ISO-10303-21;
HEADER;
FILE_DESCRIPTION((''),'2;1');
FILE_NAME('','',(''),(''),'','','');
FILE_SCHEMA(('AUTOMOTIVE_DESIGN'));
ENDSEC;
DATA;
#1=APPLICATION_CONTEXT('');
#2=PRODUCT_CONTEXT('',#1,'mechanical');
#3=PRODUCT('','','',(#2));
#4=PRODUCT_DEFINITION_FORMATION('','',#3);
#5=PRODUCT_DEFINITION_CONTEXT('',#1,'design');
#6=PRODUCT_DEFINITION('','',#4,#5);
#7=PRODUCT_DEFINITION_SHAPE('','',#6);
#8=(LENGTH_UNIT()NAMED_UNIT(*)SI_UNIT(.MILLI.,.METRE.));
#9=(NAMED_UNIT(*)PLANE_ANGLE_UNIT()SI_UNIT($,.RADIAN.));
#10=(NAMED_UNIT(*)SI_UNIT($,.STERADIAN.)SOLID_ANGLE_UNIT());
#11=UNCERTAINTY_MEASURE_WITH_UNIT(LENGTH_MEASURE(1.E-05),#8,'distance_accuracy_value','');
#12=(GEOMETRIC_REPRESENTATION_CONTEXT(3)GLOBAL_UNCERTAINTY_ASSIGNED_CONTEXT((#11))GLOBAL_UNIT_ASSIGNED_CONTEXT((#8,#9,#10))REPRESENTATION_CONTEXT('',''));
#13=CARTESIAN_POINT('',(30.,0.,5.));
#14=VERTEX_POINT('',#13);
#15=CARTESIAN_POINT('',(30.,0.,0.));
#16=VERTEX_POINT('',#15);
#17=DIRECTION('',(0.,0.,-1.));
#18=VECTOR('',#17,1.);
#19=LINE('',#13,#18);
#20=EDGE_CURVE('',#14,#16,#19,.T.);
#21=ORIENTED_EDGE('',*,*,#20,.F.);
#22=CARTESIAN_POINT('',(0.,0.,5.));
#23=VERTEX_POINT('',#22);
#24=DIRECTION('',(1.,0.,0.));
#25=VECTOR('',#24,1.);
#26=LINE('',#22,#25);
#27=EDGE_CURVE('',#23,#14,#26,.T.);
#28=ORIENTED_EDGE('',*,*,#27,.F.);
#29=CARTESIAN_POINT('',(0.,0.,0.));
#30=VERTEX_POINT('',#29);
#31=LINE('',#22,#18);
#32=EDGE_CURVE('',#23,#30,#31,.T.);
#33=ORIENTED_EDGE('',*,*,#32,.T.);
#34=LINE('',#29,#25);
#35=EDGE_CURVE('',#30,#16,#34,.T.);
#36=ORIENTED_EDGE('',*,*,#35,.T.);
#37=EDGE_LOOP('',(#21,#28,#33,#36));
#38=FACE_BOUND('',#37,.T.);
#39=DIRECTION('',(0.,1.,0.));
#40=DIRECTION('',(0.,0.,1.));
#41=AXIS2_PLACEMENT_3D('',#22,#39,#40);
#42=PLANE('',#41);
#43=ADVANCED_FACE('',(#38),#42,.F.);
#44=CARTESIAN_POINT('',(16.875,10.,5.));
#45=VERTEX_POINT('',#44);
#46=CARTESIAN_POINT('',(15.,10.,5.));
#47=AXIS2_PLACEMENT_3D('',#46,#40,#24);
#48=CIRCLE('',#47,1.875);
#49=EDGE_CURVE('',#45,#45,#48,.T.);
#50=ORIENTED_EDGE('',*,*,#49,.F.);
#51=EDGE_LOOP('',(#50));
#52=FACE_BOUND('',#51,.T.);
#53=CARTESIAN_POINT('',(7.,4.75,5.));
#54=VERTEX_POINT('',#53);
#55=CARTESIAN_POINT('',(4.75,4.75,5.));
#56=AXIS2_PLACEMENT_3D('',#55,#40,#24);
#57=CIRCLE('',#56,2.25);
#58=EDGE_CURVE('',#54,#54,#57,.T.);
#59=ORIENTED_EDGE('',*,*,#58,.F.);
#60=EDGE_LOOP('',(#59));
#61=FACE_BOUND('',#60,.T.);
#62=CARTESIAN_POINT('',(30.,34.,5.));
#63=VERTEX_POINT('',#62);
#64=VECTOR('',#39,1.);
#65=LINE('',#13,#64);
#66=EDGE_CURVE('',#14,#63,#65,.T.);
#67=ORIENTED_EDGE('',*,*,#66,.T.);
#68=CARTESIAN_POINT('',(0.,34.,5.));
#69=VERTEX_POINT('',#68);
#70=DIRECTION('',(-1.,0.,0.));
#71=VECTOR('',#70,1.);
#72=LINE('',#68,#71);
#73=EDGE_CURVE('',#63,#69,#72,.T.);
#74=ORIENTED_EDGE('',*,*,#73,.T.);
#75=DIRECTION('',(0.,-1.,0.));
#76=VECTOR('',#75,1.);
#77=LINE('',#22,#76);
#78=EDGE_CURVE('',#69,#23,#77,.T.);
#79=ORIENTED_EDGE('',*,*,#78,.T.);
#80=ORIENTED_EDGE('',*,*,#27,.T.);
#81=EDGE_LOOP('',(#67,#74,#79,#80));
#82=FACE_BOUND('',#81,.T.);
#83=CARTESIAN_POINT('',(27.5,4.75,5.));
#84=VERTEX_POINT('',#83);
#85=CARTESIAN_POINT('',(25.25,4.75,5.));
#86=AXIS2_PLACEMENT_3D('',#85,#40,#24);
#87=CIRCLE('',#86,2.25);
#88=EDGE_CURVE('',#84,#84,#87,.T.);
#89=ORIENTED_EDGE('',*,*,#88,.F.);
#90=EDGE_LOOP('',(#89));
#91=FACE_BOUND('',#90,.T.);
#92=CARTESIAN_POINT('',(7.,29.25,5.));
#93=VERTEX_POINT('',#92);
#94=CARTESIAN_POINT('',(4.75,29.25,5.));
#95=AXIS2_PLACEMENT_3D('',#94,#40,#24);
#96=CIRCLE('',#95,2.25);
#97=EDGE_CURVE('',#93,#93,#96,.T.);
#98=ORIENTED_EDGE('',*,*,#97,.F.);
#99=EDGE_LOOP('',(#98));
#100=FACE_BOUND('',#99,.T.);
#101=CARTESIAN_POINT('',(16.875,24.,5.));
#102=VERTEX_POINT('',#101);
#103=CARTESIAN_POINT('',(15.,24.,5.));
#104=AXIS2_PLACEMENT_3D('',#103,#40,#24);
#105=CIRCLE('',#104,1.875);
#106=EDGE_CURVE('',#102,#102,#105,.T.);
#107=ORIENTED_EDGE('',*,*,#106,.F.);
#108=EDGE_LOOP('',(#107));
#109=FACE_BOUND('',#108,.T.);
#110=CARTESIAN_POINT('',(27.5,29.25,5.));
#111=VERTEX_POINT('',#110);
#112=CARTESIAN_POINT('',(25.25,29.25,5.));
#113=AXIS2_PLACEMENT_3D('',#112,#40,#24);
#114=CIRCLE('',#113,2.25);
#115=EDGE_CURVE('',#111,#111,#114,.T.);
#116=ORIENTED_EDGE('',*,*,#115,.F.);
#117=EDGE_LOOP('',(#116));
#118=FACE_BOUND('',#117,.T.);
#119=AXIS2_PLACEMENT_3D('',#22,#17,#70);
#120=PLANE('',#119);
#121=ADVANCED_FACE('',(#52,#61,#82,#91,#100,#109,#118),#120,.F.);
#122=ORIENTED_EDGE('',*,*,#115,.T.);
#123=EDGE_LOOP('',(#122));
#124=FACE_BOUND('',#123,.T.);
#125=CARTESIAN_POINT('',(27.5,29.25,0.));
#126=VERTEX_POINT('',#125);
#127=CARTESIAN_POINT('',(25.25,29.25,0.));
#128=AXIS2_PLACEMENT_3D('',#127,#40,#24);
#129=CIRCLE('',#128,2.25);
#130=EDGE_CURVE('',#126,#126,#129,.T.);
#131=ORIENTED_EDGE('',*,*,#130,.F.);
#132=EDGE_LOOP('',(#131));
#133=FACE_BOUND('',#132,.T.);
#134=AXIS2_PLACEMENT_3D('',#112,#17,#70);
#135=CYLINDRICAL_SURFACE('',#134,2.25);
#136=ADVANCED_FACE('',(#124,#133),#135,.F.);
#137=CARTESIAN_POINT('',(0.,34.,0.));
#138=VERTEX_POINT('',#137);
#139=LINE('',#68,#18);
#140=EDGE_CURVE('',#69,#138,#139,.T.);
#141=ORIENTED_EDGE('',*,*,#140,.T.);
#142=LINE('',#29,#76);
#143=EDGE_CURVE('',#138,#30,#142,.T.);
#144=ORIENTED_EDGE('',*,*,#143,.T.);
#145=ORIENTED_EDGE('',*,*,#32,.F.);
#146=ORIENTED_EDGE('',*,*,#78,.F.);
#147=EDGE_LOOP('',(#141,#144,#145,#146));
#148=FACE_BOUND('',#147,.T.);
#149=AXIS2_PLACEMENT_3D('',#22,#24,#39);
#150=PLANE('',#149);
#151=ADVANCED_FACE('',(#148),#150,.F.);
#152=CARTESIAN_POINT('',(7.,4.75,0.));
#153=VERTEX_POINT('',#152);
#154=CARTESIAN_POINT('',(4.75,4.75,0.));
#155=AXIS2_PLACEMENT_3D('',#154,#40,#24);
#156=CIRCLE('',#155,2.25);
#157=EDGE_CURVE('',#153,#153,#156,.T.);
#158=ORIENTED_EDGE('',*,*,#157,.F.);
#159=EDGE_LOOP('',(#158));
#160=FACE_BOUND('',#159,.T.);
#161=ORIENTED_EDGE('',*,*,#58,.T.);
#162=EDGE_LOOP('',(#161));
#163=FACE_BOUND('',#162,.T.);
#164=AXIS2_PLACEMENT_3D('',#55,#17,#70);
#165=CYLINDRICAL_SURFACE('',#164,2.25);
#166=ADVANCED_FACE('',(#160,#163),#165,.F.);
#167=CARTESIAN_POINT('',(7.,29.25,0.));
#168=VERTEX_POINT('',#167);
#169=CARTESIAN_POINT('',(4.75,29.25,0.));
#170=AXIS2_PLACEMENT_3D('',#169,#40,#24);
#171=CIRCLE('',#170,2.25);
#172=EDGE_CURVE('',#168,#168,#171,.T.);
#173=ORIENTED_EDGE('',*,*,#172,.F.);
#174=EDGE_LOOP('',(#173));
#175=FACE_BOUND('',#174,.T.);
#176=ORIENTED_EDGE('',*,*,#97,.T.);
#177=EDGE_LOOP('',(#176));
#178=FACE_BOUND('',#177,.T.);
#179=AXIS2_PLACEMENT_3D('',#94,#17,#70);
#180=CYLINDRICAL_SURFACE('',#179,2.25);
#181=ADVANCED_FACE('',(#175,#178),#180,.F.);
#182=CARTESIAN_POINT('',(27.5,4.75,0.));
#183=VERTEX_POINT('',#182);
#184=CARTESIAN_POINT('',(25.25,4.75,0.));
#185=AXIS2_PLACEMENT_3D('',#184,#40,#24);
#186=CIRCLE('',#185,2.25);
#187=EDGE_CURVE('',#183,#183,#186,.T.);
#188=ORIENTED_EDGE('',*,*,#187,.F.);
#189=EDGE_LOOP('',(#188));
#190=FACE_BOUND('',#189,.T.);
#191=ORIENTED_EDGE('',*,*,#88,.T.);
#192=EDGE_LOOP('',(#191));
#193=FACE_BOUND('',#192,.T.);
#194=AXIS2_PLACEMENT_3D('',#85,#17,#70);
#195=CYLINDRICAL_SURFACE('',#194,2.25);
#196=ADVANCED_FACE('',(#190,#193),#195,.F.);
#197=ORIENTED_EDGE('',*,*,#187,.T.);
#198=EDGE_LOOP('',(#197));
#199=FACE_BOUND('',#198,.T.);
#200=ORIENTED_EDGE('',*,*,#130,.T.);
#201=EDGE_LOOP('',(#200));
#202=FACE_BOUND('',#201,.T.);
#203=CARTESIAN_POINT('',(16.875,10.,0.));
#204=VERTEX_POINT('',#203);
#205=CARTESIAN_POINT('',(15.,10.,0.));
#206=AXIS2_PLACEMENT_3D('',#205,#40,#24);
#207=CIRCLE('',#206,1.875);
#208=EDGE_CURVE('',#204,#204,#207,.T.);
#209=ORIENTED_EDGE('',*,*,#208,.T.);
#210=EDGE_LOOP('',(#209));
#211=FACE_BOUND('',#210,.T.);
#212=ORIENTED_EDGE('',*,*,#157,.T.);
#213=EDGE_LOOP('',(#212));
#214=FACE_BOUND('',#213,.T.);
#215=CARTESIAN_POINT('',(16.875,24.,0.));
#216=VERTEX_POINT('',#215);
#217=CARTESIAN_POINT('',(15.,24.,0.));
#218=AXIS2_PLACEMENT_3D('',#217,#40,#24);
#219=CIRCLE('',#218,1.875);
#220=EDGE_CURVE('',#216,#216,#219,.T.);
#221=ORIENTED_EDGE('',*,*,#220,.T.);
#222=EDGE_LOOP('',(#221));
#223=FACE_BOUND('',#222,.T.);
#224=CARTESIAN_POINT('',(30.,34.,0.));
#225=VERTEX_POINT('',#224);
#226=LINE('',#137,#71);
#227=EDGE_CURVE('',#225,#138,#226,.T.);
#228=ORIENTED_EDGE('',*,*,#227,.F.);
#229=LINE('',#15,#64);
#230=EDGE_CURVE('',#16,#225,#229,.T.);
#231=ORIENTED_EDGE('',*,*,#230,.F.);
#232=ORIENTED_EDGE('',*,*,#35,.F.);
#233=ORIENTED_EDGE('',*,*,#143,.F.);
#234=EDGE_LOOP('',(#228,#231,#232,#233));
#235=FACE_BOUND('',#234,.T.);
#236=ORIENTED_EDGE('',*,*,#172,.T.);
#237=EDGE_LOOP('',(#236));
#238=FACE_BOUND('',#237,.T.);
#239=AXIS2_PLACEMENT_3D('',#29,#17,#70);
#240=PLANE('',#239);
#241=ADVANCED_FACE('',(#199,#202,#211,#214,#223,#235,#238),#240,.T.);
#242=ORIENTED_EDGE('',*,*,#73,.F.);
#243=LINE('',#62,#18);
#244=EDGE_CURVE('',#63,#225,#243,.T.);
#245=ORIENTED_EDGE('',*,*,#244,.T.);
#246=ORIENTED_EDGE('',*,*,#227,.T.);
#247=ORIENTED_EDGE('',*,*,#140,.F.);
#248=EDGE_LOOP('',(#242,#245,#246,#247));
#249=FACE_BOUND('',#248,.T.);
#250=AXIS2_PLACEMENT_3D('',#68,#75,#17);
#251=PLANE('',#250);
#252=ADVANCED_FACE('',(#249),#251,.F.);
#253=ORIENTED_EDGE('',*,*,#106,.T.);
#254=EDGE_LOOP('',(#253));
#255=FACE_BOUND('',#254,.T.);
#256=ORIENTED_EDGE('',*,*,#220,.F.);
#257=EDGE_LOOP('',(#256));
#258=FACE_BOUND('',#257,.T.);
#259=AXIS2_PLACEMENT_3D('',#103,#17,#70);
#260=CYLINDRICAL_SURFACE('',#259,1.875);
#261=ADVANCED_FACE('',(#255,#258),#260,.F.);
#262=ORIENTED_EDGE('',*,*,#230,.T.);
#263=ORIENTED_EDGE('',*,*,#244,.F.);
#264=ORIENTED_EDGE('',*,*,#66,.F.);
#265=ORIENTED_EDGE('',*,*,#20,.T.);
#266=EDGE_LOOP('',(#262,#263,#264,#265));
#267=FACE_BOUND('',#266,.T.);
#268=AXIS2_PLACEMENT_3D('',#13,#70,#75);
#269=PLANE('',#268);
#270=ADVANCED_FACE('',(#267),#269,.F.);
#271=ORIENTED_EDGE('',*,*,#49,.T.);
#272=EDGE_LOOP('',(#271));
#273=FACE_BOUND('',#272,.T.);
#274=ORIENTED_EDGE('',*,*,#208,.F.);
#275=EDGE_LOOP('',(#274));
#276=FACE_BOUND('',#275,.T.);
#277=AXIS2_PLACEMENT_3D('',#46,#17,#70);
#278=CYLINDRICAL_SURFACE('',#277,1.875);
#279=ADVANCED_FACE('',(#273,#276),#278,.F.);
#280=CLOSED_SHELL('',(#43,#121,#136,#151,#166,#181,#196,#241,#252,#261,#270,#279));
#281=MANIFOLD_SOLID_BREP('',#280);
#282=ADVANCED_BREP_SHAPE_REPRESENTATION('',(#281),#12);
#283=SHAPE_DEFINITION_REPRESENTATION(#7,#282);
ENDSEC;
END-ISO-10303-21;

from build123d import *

# Parameters (mm, degrees)
SKETCH1_W           = 30
SKETCH1_H           = 34
SKETCH1_R           = 2.25
SKETCH1_R_2         = 1.875
BOSS_EXTRUDE1_DEPTH = 5


with BuildPart() as part:
    # Sketch1 → Boss-Extrude1 (new body)
    with BuildSketch(Plane.XY):
        with Locations((15, 17)):
            Rectangle(SKETCH1_W, SKETCH1_H)
        with Locations((4.75, 29.25)):
            Circle(SKETCH1_R, mode=Mode.SUBTRACT)
        with Locations((25.25, 29.25)):
            Circle(SKETCH1_R, mode=Mode.SUBTRACT)
        with Locations((25.25, 4.75)):
            Circle(SKETCH1_R, mode=Mode.SUBTRACT)
        with Locations((4.75, 4.75)):
            Circle(SKETCH1_R, mode=Mode.SUBTRACT)
        with Locations((15, 24)):
            Circle(SKETCH1_R_2, mode=Mode.SUBTRACT)
        with Locations((15, 10)):
            Circle(SKETCH1_R_2, mode=Mode.SUBTRACT)
    extrude(amount=BOSS_EXTRUDE1_DEPTH)


solid = part.part
